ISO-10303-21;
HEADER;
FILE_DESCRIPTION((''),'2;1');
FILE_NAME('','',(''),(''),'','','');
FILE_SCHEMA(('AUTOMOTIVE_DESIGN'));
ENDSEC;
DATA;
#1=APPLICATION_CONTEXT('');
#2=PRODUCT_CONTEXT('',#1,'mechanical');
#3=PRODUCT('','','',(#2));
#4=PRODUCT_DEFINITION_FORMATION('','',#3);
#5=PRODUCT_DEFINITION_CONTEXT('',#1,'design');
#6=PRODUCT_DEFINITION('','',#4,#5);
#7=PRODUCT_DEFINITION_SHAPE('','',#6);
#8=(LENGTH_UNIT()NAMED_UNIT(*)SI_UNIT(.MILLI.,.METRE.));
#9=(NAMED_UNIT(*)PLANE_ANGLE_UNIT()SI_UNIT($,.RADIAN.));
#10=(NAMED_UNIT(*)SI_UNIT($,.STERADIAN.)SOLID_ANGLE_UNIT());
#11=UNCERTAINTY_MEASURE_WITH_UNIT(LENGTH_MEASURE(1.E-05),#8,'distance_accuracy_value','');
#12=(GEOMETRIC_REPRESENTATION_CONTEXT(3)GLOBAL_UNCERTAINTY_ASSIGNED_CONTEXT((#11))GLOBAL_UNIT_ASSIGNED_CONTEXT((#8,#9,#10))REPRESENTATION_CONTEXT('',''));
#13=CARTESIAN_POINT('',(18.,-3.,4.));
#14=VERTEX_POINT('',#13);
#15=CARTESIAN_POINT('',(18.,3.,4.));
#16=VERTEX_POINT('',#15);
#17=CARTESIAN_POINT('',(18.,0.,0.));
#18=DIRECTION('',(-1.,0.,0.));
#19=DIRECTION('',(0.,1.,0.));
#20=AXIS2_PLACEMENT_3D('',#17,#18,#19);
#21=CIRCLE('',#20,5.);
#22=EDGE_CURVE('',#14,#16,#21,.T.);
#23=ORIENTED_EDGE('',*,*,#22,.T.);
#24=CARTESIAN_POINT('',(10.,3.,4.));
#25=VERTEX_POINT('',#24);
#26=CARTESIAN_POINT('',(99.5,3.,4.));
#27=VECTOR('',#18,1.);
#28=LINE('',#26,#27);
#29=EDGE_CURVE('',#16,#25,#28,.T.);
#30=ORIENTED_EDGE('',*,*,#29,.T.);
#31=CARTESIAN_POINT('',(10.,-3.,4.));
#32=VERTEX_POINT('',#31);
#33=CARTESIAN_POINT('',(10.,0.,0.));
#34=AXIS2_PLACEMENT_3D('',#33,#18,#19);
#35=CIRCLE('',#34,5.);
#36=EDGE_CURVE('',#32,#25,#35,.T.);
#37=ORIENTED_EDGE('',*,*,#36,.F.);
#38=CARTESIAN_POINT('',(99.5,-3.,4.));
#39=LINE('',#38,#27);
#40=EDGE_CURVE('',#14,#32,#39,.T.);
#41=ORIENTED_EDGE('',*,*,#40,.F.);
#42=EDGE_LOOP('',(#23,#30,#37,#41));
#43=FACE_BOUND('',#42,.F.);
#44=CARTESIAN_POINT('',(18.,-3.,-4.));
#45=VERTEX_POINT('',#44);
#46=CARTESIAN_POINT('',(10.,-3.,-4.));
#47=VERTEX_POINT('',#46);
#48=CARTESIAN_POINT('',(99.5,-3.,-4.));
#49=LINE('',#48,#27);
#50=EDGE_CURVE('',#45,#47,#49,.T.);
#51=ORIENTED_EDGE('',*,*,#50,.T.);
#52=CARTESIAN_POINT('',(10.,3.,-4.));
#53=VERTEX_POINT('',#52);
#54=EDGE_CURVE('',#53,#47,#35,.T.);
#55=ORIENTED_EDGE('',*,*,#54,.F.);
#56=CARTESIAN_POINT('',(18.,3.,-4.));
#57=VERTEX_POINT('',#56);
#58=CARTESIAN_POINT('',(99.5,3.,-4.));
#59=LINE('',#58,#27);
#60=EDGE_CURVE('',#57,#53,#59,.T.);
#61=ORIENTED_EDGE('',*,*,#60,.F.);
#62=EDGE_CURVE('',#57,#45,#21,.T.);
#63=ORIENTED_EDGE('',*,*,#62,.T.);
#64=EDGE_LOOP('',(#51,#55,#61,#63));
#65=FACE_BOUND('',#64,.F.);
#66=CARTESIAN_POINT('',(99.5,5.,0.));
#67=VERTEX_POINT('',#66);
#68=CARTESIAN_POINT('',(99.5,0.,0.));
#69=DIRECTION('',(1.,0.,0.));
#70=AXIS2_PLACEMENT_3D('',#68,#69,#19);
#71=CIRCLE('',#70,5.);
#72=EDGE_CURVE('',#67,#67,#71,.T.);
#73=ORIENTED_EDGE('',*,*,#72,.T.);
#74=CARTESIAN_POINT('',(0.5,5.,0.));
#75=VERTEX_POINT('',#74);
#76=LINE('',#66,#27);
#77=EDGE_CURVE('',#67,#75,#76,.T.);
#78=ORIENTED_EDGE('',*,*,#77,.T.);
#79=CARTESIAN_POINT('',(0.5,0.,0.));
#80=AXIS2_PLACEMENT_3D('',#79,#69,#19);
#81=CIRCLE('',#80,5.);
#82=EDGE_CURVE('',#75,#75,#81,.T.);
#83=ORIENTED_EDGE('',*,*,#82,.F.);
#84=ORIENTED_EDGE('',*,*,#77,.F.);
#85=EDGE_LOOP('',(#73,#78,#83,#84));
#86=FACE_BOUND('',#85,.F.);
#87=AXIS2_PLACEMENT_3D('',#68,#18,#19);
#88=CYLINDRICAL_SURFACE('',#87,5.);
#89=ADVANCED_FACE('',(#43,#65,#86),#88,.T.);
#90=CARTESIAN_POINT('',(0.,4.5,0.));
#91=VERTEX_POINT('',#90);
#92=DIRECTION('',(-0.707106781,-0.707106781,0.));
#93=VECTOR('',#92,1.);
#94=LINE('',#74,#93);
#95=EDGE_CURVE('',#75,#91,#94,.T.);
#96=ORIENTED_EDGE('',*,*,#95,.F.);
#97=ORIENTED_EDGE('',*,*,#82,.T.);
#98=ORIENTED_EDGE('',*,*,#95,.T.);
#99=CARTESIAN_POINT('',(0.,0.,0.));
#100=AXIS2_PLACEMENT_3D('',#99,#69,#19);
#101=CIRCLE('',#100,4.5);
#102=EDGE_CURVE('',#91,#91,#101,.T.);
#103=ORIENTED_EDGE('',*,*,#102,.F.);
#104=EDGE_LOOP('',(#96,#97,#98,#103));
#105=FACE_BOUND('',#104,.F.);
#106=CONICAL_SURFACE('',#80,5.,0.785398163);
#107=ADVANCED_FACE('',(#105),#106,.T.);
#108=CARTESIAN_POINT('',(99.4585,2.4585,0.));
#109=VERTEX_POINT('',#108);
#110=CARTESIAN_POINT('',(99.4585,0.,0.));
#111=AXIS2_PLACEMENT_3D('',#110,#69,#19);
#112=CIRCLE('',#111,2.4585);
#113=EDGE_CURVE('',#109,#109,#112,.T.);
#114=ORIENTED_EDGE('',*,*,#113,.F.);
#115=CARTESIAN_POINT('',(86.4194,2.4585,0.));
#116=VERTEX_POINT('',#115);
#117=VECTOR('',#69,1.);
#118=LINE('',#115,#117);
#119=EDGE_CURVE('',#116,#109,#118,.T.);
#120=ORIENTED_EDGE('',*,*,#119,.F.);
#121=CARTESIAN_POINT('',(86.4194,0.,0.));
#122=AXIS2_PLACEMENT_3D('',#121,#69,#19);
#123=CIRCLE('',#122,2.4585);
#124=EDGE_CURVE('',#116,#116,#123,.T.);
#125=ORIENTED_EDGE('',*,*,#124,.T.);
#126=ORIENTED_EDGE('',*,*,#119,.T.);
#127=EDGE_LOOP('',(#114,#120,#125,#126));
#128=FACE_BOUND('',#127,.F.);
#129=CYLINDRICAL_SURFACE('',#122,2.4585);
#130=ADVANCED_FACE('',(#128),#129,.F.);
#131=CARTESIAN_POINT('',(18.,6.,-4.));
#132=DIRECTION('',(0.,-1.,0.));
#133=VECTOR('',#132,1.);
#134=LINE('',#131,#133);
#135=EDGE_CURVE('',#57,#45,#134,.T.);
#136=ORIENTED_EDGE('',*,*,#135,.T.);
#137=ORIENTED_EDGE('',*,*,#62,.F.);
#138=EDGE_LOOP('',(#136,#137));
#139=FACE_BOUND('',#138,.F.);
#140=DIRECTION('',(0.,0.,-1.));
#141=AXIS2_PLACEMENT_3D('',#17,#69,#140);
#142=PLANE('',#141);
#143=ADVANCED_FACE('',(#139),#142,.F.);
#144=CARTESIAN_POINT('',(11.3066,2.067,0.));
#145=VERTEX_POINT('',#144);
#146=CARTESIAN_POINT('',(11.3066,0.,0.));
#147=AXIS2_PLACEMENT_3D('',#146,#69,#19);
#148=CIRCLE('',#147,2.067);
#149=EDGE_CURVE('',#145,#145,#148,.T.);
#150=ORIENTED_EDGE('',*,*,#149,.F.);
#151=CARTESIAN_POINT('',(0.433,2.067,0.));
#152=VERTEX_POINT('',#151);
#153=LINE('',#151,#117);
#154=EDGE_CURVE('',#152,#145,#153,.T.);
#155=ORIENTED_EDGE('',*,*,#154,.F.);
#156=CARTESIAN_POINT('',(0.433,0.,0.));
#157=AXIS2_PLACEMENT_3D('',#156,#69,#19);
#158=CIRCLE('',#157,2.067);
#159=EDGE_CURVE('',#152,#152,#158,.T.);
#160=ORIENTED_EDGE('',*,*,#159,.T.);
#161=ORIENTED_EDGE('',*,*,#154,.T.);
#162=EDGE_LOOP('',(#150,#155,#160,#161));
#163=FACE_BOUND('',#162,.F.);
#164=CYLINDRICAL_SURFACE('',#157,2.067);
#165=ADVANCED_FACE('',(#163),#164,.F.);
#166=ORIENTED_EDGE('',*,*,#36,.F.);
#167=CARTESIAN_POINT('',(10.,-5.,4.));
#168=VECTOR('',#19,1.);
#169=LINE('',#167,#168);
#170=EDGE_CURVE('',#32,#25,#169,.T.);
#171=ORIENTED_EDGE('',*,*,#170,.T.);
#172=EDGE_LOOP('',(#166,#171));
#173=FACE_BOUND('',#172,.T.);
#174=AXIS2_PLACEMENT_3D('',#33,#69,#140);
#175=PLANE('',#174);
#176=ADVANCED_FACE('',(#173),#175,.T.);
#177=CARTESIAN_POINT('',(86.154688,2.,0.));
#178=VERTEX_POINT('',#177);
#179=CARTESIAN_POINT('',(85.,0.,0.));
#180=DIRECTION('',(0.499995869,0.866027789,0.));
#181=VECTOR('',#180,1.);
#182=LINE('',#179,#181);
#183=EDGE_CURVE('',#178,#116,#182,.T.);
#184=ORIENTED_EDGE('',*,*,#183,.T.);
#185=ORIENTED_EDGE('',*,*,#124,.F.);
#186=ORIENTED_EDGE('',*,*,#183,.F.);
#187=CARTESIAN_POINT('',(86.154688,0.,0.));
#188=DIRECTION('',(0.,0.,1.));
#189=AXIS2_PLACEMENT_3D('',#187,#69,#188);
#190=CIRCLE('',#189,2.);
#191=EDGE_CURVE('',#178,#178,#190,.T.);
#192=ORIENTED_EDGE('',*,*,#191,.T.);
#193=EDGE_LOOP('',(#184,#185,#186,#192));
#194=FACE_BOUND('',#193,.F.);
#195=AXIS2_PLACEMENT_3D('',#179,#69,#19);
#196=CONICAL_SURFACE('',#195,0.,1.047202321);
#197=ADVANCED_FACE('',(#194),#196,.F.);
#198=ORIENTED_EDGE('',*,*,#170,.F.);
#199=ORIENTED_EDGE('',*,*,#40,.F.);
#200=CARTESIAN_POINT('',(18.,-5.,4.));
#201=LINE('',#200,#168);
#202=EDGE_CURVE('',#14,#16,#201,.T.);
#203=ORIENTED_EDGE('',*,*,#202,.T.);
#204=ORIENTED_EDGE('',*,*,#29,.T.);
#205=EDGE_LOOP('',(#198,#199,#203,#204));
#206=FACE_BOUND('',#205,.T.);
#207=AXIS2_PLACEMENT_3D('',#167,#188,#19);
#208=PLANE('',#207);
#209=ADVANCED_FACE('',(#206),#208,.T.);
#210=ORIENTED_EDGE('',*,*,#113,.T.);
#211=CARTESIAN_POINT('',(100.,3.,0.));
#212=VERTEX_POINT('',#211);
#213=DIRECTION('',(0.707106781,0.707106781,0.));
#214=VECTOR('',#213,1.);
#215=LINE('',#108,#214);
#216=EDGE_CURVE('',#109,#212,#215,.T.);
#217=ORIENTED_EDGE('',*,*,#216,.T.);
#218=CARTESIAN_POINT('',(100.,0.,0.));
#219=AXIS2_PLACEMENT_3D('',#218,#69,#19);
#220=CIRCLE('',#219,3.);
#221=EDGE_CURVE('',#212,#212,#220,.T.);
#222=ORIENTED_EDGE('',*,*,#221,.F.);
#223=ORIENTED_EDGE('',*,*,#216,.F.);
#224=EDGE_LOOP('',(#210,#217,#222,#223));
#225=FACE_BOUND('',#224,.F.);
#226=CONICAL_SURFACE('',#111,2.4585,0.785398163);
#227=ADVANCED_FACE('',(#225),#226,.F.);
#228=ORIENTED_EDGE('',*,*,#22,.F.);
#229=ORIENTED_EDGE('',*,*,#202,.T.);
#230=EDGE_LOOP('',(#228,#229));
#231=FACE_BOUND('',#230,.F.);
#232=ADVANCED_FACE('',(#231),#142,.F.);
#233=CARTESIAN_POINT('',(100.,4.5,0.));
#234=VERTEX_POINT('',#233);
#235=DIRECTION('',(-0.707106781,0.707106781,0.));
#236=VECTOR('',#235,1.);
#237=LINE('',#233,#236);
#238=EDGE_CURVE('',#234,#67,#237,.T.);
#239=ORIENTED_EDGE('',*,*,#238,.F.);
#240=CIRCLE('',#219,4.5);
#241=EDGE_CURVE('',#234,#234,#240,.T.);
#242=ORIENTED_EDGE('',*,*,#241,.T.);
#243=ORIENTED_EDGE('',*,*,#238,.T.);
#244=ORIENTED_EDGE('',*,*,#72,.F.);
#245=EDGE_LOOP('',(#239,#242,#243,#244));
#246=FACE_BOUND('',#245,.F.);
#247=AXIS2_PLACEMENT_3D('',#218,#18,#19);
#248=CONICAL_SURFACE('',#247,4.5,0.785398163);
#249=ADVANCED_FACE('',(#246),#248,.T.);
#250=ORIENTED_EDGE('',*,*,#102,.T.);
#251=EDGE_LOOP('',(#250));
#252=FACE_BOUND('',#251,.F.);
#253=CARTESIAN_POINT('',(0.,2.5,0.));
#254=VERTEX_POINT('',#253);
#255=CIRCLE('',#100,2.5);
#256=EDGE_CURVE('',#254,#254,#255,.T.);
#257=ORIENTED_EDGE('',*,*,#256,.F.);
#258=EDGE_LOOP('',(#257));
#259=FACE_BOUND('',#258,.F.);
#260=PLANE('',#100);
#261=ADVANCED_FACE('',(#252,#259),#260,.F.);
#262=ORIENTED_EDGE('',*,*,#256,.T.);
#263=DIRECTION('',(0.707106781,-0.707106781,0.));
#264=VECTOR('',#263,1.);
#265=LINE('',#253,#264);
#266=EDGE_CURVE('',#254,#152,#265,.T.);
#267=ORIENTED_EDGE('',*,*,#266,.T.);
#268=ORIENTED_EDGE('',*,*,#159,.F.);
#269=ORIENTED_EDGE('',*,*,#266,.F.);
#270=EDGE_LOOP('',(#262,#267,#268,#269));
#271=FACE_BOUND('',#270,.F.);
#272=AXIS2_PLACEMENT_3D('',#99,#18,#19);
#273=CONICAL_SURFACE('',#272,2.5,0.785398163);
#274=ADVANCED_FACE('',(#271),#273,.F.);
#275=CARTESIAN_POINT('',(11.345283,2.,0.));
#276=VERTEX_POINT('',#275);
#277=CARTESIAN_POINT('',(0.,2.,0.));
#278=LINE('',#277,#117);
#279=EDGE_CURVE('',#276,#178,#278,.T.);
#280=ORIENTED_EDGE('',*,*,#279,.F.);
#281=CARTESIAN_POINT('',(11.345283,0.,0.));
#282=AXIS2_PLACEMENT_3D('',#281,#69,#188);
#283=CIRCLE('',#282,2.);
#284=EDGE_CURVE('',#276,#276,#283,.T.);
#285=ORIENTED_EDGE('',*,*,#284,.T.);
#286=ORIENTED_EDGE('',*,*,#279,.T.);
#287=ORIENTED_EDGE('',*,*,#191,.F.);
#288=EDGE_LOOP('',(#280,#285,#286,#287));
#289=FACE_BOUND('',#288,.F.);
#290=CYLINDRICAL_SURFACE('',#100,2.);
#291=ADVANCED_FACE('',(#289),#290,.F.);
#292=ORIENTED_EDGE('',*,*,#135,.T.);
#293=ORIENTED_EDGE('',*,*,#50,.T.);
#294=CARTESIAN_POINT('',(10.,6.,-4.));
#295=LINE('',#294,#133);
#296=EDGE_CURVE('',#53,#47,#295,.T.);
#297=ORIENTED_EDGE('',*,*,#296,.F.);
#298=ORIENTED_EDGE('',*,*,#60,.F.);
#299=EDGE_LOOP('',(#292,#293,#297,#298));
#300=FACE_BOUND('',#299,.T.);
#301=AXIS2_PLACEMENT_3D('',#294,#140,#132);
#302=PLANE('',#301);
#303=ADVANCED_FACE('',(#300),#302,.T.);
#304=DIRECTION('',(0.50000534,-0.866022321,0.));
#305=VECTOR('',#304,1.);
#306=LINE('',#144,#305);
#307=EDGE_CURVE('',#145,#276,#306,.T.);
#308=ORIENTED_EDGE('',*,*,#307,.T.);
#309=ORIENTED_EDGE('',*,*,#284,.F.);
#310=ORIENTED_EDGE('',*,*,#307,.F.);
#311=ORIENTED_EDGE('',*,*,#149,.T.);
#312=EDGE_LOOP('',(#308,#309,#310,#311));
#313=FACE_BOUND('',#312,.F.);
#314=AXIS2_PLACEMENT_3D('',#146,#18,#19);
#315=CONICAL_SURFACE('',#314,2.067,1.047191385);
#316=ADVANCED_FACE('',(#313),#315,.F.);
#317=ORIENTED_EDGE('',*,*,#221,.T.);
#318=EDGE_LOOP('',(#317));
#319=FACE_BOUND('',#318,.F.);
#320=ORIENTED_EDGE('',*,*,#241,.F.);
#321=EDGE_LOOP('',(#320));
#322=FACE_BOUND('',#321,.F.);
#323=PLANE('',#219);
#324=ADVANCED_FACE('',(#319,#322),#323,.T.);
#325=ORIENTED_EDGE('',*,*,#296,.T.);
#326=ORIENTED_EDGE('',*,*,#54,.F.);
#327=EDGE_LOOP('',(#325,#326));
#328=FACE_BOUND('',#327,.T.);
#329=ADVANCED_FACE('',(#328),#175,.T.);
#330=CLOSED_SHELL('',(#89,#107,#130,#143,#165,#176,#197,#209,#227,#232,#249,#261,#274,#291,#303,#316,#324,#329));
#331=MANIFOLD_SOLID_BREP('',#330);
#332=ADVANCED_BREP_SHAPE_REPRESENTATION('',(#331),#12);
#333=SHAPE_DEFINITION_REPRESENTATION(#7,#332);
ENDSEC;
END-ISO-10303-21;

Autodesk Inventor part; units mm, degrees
ref_plane "YZ Plane" through (0, 0, 0) normal (1, 0, 0) x (0, 1, 0)
ref_plane "XZ Plane" through (0, 0, 0) normal (0, 1, 0) x (-1, 0, 0)
ref_plane "XY Plane" through (0, 0, 0) normal (0, 0, 1) x (1, 0, 0)
sketch "Sketch_1" plane through (0, 0, 0) normal (0, 0, 1) x (1, 0, 0)
  line L0 (100, 0) -> (0, 0)
  line L1 (0, 4.5) -> (0, 2)
  line L2 (0, 2) -> (100, 2)
  line L3 (100, 2) -> (100, 4.5)
  line L4 (100, 4.5) -> (99.5, 5)
  line L5 (99.5, 5) -> (0.5, 5)
  line L6 (0.5, 5) -> (0, 4.5)
revolve "Revolution1" add sketch "Sketch_1" angle 360 about axis through (100, 0, 0) along (1, 0, 0)
sketch "Sketch_6" plane through (0, 0, 0) normal (0, 0, 1) x (1, 0, 0)
  line L0 (12.5, 0) -> (0, 0)
  line L1 (0, 0) -> (0, 2.5)
  line L2 (0, 2.5) -> (0.433, 2.067)
  line L3 (0.433, 2.067) -> (11.3066, 2.067)
  line L4 (11.3066, 2.067) -> (12.5, 0)
  line L5 (12.5, 0) -> (0, 0)
revolve "Revolution2" cut sketch "Sketch_6" angle 360 about axis through (12.5, 0, 0) along (1, 0, 0)
thread "Thread1" size "M5x0.8" class "6H" standard "ISO Metric profile" length 10 offset 1.3066
sketch "Sketch_7" plane through (0, 0, 0) normal (0, 0, 1) x (1, 0, 0)
  line L0 (100, 0) -> (85, 0)
  line L1 (85, 0) -> (86.4194, 2.4585)
  line L2 (86.4194, 2.4585) -> (99.4585, 2.4585)
  line L3 (99.4585, 2.4585) -> (100, 3)
  line L4 (100, 3) -> (100, 0)
  line L5 (100, 0) -> (85, 0)
revolve "Revolution3" cut sketch "Sketch_7" angle 360 about axis through (100, 0, 0) along (1, 0, 0)
thread "Thread2" size "M6x1" class "6H" standard "ISO Metric profile" length 12 offset 1.5806
sketch "Sketch_2" plane through (10, 0, 0) normal (1, 0, 0) x (0, 0, -1)
  line L0 (-6, 7) -> (-6, -5)
  line L1 (-6, -5) -> (-4, -5)
  line L2 (-4, -5) -> (-4, 6)
  line L3 (-4, 6) -> (4, 6)
  line L4 (4, 6) -> (4, -5)
  line L5 (4, -5) -> (6, -5)
  line L6 (6, -5) -> (6, 7)
  line L7 (6, 7) -> (-6, 7)
extrude "Extrusion1" cut sketch "Sketch_2" along normal blind 8
properties part number "PSPWR10-100-M5-N6-SC10" material "MISUMI"
